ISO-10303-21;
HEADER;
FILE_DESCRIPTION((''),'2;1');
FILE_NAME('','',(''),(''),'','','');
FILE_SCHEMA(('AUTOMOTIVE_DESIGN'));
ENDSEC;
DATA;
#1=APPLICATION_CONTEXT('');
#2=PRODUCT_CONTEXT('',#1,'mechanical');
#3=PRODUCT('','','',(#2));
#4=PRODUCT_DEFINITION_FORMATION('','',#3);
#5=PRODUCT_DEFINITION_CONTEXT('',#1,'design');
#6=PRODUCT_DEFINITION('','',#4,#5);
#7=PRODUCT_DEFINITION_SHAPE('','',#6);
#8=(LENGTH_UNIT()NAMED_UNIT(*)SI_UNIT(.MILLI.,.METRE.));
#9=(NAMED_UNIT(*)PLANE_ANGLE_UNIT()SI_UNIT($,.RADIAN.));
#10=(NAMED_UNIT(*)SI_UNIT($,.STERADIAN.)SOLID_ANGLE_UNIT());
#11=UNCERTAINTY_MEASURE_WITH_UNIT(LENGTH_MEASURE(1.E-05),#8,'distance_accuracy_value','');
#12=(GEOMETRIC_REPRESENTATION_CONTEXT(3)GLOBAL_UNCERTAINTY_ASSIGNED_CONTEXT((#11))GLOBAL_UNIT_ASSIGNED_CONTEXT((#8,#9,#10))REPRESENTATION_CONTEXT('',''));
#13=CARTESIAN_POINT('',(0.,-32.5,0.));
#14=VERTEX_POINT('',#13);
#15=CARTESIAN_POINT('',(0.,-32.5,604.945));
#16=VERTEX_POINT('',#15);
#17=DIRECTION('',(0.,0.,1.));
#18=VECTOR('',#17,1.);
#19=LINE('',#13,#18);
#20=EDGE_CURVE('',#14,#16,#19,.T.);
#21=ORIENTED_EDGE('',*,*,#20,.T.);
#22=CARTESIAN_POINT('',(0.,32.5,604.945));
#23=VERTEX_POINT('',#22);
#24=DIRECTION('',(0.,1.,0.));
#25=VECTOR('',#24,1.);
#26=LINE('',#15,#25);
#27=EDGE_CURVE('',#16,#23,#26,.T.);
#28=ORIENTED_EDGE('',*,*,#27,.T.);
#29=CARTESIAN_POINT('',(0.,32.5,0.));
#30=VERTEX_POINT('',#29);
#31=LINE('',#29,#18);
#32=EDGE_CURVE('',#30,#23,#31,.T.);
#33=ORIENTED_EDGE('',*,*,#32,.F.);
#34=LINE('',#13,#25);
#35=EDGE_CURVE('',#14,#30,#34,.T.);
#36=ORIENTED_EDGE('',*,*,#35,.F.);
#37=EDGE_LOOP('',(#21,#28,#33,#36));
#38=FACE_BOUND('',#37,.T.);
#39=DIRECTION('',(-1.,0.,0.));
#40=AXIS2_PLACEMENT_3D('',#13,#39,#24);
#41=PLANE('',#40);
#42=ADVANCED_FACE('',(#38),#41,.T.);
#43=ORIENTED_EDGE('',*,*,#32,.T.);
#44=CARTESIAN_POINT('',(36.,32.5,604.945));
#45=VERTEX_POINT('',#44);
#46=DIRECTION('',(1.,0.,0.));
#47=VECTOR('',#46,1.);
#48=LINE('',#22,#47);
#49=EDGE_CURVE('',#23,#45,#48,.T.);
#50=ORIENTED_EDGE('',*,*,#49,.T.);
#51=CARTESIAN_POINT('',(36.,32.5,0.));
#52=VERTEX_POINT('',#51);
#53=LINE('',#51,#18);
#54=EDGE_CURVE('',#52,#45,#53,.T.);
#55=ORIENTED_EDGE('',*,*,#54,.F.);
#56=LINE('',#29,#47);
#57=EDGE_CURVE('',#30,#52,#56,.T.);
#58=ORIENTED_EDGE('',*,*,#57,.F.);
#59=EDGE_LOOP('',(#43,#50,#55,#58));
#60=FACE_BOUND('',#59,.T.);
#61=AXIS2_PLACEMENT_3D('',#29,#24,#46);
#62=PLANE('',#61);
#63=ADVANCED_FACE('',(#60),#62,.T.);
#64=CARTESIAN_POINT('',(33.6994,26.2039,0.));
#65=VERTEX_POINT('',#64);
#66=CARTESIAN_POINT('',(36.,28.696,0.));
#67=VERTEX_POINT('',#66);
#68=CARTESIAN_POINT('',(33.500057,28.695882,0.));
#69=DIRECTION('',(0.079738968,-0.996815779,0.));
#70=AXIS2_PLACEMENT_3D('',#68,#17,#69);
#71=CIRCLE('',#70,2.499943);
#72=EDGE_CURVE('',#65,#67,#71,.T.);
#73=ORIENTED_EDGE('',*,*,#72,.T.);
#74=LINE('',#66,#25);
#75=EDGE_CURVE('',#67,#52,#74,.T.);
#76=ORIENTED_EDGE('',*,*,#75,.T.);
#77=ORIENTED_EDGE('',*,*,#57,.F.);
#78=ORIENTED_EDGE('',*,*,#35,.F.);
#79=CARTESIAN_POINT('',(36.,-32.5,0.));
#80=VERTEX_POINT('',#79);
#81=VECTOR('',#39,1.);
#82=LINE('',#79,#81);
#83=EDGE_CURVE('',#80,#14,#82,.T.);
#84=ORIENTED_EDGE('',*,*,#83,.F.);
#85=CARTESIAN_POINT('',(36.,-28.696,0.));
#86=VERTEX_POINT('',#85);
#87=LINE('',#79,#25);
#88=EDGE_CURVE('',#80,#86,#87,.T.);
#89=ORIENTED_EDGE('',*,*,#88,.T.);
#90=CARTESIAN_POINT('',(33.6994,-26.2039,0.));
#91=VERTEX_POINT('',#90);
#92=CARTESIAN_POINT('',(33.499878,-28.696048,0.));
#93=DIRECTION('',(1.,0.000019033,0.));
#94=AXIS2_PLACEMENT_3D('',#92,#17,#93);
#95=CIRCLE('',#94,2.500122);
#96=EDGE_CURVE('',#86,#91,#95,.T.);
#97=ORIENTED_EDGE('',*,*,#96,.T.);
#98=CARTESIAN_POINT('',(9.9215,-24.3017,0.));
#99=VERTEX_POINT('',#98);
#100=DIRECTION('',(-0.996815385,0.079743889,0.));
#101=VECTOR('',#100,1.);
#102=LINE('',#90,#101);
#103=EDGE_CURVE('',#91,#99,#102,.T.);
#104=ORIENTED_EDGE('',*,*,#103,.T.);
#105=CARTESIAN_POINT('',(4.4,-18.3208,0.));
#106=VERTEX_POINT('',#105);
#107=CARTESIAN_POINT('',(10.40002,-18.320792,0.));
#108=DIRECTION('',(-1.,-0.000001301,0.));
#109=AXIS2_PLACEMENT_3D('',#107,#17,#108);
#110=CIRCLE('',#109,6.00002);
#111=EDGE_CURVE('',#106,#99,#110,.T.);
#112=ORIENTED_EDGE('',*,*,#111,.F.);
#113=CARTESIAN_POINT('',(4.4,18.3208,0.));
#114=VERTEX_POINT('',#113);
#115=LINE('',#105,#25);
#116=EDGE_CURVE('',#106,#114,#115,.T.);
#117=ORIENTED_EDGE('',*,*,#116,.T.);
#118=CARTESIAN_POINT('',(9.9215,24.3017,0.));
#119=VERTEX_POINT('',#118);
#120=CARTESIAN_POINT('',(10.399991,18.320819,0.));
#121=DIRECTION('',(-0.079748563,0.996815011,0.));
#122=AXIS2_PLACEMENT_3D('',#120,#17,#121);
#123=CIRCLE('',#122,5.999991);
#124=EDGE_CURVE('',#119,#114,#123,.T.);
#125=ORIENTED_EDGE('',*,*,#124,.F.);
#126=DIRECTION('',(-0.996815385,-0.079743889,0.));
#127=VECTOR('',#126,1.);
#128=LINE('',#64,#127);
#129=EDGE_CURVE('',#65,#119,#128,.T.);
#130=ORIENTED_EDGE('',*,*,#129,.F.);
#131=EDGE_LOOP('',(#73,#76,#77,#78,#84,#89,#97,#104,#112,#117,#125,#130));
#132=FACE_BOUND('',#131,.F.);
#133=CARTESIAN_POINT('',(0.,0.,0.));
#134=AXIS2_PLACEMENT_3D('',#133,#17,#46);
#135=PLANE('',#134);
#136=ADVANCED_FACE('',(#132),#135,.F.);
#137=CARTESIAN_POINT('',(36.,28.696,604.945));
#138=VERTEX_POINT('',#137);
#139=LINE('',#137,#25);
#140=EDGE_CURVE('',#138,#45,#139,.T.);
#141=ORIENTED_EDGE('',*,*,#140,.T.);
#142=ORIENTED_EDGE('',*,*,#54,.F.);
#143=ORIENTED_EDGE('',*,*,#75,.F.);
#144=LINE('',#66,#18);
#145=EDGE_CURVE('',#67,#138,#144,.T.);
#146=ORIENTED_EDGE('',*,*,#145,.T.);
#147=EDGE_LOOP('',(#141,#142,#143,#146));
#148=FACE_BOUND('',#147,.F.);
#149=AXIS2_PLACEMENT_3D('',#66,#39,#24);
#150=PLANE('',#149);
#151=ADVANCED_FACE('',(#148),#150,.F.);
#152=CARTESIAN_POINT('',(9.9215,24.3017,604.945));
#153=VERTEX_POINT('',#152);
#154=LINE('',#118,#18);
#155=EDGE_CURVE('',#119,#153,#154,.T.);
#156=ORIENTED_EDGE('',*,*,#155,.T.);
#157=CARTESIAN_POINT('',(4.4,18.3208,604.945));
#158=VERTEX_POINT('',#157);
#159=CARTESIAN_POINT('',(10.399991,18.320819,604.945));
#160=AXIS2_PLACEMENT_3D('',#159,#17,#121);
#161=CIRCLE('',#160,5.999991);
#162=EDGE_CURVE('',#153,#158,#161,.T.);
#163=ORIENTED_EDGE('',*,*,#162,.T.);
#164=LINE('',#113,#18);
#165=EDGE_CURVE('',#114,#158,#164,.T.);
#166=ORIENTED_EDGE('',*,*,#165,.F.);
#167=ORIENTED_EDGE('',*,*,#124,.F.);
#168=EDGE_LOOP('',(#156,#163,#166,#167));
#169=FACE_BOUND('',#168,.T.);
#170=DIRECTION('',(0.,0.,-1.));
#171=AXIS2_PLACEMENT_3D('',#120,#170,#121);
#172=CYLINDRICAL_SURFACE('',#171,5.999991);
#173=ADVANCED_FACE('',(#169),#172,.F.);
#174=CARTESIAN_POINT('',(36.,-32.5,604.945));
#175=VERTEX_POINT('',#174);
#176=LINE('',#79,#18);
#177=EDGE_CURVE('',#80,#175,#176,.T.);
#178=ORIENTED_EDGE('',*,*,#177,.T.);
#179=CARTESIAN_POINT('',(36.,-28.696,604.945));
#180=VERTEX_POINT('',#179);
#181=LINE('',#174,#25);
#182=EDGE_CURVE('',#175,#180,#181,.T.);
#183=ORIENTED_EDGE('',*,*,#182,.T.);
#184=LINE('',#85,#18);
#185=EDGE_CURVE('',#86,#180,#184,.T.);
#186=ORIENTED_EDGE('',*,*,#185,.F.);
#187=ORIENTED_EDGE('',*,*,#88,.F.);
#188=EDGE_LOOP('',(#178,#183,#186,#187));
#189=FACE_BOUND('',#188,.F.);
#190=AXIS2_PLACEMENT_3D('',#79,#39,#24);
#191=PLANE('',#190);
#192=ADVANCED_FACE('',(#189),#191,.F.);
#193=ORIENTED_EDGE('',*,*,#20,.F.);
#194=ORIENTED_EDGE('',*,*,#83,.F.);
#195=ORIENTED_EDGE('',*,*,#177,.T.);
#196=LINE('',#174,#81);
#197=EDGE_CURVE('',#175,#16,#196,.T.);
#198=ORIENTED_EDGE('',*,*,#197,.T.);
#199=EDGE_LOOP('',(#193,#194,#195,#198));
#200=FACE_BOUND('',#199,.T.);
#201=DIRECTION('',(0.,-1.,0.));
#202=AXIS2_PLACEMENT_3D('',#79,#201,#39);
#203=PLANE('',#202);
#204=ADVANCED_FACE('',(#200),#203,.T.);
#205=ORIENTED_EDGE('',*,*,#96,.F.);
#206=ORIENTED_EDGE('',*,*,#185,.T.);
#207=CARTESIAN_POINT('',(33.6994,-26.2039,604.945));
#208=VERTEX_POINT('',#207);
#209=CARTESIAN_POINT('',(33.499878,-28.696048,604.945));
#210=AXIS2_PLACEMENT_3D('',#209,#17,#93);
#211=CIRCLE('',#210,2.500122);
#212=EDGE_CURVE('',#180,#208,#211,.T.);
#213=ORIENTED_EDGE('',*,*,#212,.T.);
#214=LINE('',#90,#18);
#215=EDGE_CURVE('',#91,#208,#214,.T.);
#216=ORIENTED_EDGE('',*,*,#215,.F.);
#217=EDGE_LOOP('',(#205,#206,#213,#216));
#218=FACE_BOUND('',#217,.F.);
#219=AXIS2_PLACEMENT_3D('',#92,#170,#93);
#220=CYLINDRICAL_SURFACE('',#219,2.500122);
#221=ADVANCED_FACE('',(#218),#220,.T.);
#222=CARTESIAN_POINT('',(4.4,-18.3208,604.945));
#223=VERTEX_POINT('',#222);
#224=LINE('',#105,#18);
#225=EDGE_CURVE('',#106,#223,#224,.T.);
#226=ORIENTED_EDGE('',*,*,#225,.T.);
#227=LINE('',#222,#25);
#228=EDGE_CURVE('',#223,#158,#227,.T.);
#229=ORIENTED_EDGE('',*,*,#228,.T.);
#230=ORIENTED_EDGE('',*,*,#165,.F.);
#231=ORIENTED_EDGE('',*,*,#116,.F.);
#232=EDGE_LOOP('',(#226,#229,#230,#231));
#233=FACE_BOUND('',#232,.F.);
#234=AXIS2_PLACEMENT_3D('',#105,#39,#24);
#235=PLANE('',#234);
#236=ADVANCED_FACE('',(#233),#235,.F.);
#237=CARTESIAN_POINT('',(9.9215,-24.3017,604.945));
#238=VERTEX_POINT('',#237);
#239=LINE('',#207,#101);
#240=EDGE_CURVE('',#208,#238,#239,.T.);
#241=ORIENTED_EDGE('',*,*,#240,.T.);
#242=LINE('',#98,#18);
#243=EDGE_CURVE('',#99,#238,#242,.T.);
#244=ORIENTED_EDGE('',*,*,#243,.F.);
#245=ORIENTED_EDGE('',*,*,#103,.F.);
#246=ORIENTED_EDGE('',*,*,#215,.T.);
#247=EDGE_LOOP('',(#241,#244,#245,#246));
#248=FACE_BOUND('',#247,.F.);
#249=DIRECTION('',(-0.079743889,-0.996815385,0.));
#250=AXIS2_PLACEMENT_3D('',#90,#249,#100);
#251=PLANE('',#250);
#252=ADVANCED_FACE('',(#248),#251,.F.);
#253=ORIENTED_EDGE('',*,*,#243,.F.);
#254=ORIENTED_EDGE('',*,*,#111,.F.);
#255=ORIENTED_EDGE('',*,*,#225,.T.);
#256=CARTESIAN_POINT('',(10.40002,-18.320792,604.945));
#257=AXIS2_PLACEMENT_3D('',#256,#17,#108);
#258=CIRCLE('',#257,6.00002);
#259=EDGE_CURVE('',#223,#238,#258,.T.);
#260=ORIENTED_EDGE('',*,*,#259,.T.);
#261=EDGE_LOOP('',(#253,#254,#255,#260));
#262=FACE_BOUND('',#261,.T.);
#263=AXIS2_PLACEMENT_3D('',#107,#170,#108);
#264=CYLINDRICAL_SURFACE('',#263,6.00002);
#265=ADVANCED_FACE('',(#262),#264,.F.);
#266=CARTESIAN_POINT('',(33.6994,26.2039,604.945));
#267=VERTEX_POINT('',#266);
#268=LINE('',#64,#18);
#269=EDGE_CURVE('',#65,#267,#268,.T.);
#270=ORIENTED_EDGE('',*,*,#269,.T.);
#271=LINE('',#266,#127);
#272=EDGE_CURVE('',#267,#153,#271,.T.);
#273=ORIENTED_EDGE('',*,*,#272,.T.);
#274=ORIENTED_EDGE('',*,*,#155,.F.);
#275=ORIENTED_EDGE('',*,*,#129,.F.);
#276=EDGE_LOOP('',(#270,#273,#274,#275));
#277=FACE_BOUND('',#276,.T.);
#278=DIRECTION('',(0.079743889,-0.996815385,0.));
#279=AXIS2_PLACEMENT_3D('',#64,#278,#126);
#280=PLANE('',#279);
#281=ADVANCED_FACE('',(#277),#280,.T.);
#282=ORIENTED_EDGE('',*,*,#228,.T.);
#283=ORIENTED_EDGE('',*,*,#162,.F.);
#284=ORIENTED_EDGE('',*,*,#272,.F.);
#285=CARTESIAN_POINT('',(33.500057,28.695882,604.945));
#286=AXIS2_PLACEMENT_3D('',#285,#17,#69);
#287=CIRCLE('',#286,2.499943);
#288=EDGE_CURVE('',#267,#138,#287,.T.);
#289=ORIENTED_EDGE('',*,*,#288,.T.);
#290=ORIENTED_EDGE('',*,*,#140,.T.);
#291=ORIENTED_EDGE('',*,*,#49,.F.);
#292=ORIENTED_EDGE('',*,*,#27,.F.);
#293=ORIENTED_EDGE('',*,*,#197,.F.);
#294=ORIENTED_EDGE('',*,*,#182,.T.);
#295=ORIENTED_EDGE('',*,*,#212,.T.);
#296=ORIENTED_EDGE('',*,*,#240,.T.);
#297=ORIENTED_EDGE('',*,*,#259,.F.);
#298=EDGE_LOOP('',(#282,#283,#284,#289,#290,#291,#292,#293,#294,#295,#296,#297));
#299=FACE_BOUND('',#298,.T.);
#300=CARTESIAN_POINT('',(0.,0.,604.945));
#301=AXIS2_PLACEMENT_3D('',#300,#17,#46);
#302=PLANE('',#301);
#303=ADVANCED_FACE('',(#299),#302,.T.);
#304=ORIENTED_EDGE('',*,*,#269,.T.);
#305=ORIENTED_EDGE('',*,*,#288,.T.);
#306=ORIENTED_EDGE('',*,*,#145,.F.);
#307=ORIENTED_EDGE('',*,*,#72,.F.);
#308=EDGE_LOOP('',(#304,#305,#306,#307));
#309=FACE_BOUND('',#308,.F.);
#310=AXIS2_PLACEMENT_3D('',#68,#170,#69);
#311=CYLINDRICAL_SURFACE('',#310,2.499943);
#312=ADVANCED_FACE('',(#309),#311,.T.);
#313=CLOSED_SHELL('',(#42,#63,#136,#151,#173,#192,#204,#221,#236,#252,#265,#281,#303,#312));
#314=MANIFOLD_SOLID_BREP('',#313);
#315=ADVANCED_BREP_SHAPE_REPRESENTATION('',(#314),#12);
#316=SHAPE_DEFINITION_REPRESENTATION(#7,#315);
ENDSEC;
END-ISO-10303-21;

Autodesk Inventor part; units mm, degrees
ref_plane "YZ Plane" through (0, 0, 0) normal (1, 0, 0) x (0, 1, 0)
ref_plane "Начальная плоскость" through (0, 0, 0) normal (0, 0, 1) x (1, 0, 0)
ref_plane "Конечная плоскость" through (0, 0, 604.945) normal (0, 0, 1) x (1, 0, 0)
sketch "Эскиз" plane through (0, 0, 0) normal (0, 0, 1) x (1, 0, 0)
  line L0 (36, -32.5) -> (0, -32.5)
  line L1 (36, -32.5) -> (36, -28.696)
  line L2 (33.6994, -26.2039) -> (9.9215, -24.3017)
  line L3 (4.4, -18.3208) -> (4.4, 18.3208)
  line L4 (33.6994, 26.2039) -> (9.9215, 24.3017)
  line L5 (36, 28.696) -> (36, 32.5)
  line L6 (0, 32.5) -> (36, 32.5)
  line L7 (0, -32.5) -> (0, 32.5)
  arc A0 (4.4, -18.3208) -> (9.9215, -24.3017) centre (10.4, -18.3208) ccw
  arc A1 (9.9215, 24.3017) -> (4.4, 18.3208) centre (10.4, 18.3208) ccw
  arc A2 (36, -28.696) -> (33.6994, -26.2039) centre (33.5, -28.696) ccw
  arc A3 (33.6994, 26.2039) -> (36, 28.696) centre (33.5, 28.696) ccw
  line L8 (0, 45.5) -> (0, -45.5) construction
  line L9 (-7.2974, 0) -> (43.7847, 0) construction
  point P0 (36, -26.388)
  point P1 (4.4, -23.86)
  point P2 (4.4, 23.86)
  point P3 (36, 26.388)
  dimension "d3" = 36
  dimension "d5" = 4.4
  dimension "d7" = 65
  dimension "d9" = 8.64
  dimension "d11" = 8.64
  dimension "d13" = 6.112
  dimension "d15" = 6.112
  dimension "d22" = 6
  dimension "d23" = 2.5
  dimension "d24" = 32.5
  dimension "d25" = 0
extrude "Тело" add sketch "Эскиз" along normal up to surface (604.945 mm away) from surface at 0
sketch "Sketch3" plane through (0, 0, 0) normal (0, 0, 1) x (1, 0, 0)
  line L0 (0, 0) -> (10, 0)
ref_plane "Work Plane7" through (0, 0, 0) normal (0, -1, 0) x (1, 0, 0)
sketch "Sketch4" plane through (0, 0, 0) normal (0, -1, 0) x (1, 0, 0)
  line L0 (-2, 0) -> (12, 0)
  line L1 (-2, 604.945) -> (12, 604.945)
  dimension "d29" = 604.945
equation "\"d3\" = b"
equation "\"d5\" = t1"
equation "\"d7\" = ParH"
equation "\"d9\" = msp_x1 + t2"
equation "\"d11\" = msp_x1 + t2"
equation "\"d13\" = -msp_x2 + t2"
equation "\"d15\" = -msp_x2 + t2"
equation "\"d22\" = R"
equation "\"d23\" = R1"
equation "\"d24\" = 0.5 * d7"
equation "\"d16\" = G_L"
equation "\"R1\" = 2.5"
equation "\"R\" = 6"
equation "\"t1\" = 4.4"
equation "\"t2\" = 7.2"
equation "\"ParH\" = 65"
equation "\"b\" = 36"
equation "\"msp_x1\" = 0.04 * b"
equation "\"msp_x2\" = -0.08 * t1 + 0.04 * b"
equation "\"G_L\" = d29"
equation "\"ex\" = 0"
equation "\"G_OFFSET_START\" = 0"
equation "\"G_OFFSET_END\" = 0"
equation "\"d27\" = G_OFFSET_END + B_L"
equation "\"B_L\" = 604.945"
properties part number "Швеллер 6.5U-604,95 ГОСТ 8240-97"
